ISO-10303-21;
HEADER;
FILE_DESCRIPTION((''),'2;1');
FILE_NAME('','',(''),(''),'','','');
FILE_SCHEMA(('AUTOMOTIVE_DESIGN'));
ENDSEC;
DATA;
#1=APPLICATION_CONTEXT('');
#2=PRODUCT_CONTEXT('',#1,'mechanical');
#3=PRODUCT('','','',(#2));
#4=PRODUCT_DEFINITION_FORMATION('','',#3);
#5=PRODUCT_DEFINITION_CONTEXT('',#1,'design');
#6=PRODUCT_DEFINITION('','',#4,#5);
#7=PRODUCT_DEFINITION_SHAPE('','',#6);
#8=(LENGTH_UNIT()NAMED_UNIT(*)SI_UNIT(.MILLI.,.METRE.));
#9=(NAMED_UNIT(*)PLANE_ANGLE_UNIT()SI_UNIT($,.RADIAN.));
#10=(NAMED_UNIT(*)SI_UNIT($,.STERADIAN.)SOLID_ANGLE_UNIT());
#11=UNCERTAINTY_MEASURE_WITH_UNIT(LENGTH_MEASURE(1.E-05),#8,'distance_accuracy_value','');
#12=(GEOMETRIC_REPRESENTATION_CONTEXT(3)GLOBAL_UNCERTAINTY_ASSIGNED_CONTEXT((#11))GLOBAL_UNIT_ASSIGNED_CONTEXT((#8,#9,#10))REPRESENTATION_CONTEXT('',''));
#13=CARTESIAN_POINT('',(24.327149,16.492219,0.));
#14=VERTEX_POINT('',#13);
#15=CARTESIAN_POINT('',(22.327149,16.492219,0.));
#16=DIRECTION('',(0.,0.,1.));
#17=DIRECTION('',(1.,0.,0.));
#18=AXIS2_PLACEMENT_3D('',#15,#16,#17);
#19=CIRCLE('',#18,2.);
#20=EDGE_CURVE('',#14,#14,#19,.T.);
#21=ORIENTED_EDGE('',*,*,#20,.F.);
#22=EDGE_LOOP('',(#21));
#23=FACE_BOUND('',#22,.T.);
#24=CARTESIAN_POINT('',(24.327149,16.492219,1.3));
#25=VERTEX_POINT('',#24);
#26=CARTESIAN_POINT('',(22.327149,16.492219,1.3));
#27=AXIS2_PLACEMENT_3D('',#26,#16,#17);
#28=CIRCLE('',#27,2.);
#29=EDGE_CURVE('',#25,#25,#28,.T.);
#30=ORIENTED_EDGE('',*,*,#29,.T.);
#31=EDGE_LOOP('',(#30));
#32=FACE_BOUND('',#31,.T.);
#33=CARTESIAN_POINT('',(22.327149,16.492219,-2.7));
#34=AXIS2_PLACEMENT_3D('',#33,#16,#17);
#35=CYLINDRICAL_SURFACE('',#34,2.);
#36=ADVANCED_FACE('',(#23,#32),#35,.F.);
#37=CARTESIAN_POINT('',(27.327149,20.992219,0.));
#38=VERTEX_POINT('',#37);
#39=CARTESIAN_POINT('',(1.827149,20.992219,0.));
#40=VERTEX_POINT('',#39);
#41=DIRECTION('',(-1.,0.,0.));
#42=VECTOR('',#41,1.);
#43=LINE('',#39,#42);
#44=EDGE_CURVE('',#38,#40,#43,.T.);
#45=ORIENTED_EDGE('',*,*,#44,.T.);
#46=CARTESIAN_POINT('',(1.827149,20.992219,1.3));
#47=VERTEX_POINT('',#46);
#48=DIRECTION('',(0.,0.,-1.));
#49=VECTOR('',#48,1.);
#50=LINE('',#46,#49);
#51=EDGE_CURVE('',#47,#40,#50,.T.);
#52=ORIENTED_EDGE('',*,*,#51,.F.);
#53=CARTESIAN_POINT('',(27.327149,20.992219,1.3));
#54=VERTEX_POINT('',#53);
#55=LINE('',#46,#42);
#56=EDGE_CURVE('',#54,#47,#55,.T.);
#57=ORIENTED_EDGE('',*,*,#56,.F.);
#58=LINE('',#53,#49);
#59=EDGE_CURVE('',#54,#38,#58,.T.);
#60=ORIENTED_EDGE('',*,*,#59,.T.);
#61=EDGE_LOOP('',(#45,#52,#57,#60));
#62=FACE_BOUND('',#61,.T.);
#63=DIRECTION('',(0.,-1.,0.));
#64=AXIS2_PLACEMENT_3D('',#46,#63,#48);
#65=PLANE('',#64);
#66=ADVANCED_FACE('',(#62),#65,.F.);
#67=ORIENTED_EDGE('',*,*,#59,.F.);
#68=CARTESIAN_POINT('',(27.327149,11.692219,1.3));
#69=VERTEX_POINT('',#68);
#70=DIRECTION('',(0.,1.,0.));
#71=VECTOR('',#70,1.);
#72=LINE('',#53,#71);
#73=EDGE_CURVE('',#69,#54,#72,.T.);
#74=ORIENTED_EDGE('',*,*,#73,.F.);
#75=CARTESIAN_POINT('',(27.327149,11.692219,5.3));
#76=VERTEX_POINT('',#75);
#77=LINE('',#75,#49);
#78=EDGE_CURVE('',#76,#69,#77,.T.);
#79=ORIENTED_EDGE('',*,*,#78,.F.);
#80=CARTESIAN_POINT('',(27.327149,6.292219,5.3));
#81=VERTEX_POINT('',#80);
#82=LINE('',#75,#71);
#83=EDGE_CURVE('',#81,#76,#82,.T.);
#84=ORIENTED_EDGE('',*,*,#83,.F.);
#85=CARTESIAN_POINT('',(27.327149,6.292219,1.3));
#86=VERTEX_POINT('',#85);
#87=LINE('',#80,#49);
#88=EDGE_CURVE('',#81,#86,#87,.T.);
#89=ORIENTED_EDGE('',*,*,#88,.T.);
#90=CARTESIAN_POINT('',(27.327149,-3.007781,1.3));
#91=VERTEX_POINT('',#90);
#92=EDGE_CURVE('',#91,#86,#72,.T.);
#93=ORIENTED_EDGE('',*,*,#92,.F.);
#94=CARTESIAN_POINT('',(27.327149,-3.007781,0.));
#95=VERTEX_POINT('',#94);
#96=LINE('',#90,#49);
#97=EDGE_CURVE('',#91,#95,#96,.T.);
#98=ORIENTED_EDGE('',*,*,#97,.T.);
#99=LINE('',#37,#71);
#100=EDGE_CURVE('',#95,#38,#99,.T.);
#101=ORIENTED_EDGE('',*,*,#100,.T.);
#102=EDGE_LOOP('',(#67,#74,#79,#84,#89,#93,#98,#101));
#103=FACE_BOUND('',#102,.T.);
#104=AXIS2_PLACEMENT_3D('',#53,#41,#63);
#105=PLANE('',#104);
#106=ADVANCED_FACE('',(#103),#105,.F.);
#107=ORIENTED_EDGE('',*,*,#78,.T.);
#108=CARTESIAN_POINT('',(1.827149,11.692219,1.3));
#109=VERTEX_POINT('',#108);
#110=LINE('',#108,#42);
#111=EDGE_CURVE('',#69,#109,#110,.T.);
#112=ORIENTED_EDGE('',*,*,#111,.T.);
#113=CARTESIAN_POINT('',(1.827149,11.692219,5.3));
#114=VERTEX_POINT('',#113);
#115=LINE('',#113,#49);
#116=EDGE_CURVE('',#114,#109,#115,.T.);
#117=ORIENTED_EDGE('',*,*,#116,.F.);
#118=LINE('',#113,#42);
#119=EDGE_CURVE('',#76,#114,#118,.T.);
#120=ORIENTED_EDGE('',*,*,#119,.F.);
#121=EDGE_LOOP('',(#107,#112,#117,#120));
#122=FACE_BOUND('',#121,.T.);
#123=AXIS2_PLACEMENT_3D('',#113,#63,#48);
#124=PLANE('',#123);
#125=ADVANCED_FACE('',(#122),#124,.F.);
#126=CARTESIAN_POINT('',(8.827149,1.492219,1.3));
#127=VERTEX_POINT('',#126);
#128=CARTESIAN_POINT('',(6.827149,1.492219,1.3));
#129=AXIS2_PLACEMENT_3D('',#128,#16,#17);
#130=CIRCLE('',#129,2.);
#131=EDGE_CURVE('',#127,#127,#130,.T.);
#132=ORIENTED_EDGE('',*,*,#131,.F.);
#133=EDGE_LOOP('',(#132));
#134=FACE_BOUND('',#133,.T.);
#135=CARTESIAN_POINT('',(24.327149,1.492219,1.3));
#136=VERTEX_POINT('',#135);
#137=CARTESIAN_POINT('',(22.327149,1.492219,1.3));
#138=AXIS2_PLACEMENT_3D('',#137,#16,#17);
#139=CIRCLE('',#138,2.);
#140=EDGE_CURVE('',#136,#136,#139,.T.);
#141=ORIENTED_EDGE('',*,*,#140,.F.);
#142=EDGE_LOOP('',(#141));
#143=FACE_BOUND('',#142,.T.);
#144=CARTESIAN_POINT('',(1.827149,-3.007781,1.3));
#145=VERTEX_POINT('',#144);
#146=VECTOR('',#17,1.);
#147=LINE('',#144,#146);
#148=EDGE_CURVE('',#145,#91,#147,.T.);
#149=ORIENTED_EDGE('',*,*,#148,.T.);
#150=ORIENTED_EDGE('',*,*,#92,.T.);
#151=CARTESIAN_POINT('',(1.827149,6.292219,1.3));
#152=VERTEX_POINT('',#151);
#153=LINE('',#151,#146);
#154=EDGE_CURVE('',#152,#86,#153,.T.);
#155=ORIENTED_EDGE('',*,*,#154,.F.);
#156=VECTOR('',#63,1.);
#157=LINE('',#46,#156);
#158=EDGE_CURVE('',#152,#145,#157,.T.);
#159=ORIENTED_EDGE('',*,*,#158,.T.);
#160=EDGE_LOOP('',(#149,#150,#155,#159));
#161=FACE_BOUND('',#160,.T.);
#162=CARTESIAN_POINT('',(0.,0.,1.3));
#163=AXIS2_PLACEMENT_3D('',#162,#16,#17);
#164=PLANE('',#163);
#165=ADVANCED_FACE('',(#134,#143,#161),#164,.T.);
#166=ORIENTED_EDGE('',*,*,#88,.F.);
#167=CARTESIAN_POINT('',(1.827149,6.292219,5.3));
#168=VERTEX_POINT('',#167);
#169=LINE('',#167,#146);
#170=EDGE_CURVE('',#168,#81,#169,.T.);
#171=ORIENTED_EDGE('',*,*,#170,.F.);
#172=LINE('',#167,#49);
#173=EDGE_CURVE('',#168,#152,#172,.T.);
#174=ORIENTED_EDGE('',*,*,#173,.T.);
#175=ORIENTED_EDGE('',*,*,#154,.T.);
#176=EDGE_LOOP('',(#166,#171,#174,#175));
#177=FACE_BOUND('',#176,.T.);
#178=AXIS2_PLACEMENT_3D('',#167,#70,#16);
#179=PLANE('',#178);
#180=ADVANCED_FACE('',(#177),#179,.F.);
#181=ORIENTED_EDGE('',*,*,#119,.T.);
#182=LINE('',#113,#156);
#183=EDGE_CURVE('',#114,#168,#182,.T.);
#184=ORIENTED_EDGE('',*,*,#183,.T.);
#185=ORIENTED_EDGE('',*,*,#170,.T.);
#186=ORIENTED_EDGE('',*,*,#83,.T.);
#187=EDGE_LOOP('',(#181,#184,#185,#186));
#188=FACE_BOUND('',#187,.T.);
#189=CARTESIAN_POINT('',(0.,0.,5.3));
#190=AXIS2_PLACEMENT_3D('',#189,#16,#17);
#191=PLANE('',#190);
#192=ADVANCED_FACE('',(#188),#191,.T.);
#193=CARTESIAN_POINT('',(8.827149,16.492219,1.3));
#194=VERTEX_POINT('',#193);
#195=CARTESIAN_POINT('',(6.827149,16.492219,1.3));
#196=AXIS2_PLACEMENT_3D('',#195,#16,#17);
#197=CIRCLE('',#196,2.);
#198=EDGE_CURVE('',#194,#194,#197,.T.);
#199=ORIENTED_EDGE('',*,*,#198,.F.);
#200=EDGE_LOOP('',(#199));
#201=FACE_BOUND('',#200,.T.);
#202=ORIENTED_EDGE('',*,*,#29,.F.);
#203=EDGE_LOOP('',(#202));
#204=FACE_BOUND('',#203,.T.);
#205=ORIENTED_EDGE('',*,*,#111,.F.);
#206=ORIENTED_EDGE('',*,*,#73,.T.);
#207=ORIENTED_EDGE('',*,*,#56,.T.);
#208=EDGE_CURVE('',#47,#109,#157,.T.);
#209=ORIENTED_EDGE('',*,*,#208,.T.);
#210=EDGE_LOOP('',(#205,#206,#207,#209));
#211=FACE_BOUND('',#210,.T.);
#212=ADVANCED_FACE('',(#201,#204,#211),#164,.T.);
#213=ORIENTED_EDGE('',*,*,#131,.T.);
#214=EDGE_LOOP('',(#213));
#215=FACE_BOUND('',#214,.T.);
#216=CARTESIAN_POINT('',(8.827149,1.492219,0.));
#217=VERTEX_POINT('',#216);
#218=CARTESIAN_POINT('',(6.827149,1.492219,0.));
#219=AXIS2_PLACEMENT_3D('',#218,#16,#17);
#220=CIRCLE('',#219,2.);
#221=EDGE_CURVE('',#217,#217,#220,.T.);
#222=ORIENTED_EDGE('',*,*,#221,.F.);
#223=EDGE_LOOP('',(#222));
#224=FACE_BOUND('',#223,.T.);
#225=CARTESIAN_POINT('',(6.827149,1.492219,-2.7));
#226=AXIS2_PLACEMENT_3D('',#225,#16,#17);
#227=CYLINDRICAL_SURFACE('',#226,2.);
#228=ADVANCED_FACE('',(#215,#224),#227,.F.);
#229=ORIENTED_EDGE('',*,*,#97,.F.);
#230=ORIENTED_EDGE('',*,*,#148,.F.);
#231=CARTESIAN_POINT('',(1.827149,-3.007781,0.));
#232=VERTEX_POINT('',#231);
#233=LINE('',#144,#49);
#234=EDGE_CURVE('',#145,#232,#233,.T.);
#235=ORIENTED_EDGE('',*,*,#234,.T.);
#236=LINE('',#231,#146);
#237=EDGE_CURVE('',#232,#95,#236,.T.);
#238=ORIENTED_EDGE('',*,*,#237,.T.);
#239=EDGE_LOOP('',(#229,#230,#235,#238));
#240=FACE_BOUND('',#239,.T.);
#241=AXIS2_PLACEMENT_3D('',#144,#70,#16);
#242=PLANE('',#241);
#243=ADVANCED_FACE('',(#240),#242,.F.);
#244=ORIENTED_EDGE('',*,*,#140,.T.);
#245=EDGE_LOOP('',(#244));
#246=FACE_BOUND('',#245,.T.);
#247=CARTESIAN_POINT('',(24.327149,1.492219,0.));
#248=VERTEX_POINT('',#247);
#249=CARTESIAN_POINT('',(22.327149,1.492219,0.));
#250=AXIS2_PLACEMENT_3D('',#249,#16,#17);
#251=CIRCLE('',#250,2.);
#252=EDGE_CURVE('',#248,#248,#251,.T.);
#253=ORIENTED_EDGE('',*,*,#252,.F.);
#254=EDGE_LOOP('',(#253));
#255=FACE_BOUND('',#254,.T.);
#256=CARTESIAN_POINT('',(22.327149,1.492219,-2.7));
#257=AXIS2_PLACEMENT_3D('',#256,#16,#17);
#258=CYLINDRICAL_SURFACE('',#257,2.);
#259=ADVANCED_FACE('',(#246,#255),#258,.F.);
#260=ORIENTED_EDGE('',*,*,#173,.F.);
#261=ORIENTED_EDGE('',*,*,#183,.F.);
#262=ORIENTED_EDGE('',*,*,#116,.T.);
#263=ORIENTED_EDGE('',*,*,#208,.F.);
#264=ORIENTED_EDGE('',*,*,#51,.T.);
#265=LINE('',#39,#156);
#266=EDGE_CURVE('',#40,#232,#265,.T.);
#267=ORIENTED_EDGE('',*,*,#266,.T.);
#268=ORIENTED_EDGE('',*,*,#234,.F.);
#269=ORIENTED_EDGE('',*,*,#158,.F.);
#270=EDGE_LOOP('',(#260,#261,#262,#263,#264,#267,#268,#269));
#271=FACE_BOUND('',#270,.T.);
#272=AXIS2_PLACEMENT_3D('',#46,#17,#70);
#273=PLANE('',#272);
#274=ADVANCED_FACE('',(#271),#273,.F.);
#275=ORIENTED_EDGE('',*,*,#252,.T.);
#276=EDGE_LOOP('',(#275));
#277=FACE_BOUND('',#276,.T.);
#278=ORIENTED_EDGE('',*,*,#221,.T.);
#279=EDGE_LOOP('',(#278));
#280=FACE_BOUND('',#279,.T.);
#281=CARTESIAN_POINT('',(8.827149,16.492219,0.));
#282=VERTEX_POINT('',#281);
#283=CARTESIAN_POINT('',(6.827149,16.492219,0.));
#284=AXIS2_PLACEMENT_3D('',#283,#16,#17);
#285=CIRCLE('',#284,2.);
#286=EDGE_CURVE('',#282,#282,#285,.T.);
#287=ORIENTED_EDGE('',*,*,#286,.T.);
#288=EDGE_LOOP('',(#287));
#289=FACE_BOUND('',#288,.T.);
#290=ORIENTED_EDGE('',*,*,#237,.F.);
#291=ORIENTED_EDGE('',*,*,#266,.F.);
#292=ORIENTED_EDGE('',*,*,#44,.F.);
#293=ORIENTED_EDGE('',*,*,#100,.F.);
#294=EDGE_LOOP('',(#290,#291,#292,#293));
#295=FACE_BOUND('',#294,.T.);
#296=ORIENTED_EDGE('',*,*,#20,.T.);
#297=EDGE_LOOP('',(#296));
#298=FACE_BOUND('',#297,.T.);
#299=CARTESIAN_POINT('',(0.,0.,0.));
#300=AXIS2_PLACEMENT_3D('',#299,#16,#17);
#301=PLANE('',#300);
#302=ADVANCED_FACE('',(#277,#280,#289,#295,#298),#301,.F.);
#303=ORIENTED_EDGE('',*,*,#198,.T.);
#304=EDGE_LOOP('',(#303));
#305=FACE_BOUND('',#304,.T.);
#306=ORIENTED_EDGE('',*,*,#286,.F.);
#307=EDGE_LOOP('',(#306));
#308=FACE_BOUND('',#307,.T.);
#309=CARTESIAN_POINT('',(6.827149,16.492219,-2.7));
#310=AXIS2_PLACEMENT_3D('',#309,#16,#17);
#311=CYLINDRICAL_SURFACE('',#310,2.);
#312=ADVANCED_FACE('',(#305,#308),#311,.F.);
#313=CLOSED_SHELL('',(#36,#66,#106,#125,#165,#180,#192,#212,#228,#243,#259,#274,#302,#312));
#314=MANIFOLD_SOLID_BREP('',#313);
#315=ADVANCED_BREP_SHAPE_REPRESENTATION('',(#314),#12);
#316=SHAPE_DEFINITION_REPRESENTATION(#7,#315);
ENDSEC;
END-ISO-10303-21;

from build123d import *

# Parameters (mm, degrees)
SKETCH1_W           = 25.5
SKETCH1_H           = 24
BOSS_EXTRUDE1_DEPTH = 1.3
SKETCH2_W           = 25.5
SKETCH2_H           = 5.4
BOSS_EXTRUDE2_DEPTH = 4
SKETCH3_R           = 2
CUT_EXTRUDE1_DEPTH  = 4
SKETCH4_R           = 2
CUT_EXTRUDE2_DEPTH  = 4


with BuildPart() as part:
    # Sketch1 → Boss-Extrude1 (new body)
    with BuildSketch(Plane.XY):
        with Locations((14.577148508, 8.992218626)):
            Rectangle(SKETCH1_W, SKETCH1_H)
    extrude(amount=BOSS_EXTRUDE1_DEPTH)

    # Sketch2 → Boss-Extrude2 (add)
    with BuildSketch(Plane.XY.offset(1.3)):
        with Locations((14.577148508, 8.992218626)):
            Rectangle(SKETCH2_W, SKETCH2_H)
    extrude(amount=BOSS_EXTRUDE2_DEPTH)

    # Sketch3 → Cut-Extrude1 (cut)
    with BuildSketch(Plane.XY.offset(1.3)):
        with Locations((22.327148508, 16.492218626)):
            Circle(SKETCH3_R)
        with Locations((6.827148508, 16.492218626)):
            Circle(SKETCH3_R)
    extrude(amount=-CUT_EXTRUDE1_DEPTH, mode=Mode.SUBTRACT)

    # Sketch4 → Cut-Extrude2 (cut)
    with BuildSketch(Plane.XY.offset(1.3)):
        with Locations((6.827148508, 1.492218626)):
            Circle(SKETCH4_R)
        with Locations((22.327148508, 1.492218626)):
            Circle(SKETCH4_R)
    extrude(amount=-CUT_EXTRUDE2_DEPTH, mode=Mode.SUBTRACT)


solid = part.part
